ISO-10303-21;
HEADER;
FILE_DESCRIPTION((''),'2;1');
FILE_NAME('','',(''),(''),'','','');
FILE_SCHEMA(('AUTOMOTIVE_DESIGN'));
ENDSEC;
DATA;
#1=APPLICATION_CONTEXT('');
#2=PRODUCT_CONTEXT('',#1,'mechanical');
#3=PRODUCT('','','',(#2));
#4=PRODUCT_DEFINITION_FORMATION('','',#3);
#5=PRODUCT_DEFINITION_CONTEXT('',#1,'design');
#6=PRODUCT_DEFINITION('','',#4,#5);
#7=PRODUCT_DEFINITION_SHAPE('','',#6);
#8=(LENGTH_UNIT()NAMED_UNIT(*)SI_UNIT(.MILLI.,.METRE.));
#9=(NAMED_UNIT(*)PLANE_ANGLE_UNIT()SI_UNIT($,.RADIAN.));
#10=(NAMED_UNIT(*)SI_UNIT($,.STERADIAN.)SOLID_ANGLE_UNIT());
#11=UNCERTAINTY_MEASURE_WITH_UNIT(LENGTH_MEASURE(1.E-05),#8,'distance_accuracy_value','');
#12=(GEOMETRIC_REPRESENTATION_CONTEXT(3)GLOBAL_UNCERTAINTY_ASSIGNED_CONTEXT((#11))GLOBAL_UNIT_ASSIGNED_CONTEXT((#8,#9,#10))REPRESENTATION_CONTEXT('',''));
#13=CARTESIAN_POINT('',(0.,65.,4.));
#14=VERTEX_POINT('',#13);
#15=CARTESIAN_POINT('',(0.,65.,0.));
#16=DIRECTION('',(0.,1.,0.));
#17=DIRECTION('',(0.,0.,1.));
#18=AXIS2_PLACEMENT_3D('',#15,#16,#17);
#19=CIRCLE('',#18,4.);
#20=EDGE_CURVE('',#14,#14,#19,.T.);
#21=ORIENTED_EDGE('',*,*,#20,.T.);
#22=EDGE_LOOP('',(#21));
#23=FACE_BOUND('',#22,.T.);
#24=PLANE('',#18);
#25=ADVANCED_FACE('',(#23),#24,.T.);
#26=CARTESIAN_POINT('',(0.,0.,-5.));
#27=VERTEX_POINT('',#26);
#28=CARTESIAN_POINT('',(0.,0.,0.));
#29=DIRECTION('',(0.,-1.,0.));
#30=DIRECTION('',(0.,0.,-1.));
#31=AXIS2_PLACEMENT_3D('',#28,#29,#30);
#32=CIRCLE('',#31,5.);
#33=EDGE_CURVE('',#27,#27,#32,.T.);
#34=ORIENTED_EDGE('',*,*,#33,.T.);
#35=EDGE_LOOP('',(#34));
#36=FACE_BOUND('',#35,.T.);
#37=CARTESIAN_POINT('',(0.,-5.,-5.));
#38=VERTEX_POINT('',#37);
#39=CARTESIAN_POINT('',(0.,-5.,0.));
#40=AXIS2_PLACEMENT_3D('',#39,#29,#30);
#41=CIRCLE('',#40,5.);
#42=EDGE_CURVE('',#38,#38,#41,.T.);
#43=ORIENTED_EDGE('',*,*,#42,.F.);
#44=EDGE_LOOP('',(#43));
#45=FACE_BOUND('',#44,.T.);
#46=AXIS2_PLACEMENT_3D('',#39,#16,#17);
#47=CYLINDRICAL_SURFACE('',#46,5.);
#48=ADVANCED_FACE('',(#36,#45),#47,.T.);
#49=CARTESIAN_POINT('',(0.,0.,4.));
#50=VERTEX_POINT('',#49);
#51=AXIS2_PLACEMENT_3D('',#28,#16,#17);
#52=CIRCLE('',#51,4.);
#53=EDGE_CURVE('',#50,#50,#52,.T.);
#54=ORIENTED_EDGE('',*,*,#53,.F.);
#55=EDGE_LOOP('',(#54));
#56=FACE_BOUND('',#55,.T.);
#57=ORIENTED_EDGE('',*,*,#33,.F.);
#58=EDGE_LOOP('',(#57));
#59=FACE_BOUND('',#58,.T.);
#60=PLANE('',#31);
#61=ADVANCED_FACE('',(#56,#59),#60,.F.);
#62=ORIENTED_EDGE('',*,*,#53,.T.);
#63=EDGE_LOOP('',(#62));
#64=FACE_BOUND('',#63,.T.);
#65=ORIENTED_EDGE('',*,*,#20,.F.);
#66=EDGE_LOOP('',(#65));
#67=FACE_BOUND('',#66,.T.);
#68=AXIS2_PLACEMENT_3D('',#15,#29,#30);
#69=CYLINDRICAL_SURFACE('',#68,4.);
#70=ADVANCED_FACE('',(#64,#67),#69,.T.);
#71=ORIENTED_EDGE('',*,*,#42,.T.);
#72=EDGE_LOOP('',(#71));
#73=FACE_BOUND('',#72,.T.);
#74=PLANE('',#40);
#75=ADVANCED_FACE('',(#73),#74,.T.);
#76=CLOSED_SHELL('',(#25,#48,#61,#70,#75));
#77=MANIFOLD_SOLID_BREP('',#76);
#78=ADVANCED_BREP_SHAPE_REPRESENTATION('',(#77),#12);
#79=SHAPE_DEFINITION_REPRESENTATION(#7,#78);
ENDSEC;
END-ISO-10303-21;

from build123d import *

# Parameters (mm, degrees)
SKETCH_1_R      = 4
EXTRUDE_1_DEPTH = 65
SKETCH_2_R      = 5
EXTRUDE_2_DEPTH = 5


with BuildPart() as part:
    # 草图1 → 凸台-拉伸1 (new body)
    with BuildSketch(Plane(origin=(0, 0, 0), x_dir=(1, 0, 0), z_dir=(0, 1, 0))):
        with Locations(Location((0, 0, 0), (0, 0, 270))):
            Circle(SKETCH_1_R)
    extrude(amount=EXTRUDE_1_DEPTH)

    # 草图2 → 凸台-拉伸2 (add)
    with BuildSketch(Plane.XZ):
        with Locations(Location((0, 0, 0), (0, 0, 270))):
            Circle(SKETCH_2_R)
    extrude(amount=EXTRUDE_2_DEPTH)


solid = part.part
